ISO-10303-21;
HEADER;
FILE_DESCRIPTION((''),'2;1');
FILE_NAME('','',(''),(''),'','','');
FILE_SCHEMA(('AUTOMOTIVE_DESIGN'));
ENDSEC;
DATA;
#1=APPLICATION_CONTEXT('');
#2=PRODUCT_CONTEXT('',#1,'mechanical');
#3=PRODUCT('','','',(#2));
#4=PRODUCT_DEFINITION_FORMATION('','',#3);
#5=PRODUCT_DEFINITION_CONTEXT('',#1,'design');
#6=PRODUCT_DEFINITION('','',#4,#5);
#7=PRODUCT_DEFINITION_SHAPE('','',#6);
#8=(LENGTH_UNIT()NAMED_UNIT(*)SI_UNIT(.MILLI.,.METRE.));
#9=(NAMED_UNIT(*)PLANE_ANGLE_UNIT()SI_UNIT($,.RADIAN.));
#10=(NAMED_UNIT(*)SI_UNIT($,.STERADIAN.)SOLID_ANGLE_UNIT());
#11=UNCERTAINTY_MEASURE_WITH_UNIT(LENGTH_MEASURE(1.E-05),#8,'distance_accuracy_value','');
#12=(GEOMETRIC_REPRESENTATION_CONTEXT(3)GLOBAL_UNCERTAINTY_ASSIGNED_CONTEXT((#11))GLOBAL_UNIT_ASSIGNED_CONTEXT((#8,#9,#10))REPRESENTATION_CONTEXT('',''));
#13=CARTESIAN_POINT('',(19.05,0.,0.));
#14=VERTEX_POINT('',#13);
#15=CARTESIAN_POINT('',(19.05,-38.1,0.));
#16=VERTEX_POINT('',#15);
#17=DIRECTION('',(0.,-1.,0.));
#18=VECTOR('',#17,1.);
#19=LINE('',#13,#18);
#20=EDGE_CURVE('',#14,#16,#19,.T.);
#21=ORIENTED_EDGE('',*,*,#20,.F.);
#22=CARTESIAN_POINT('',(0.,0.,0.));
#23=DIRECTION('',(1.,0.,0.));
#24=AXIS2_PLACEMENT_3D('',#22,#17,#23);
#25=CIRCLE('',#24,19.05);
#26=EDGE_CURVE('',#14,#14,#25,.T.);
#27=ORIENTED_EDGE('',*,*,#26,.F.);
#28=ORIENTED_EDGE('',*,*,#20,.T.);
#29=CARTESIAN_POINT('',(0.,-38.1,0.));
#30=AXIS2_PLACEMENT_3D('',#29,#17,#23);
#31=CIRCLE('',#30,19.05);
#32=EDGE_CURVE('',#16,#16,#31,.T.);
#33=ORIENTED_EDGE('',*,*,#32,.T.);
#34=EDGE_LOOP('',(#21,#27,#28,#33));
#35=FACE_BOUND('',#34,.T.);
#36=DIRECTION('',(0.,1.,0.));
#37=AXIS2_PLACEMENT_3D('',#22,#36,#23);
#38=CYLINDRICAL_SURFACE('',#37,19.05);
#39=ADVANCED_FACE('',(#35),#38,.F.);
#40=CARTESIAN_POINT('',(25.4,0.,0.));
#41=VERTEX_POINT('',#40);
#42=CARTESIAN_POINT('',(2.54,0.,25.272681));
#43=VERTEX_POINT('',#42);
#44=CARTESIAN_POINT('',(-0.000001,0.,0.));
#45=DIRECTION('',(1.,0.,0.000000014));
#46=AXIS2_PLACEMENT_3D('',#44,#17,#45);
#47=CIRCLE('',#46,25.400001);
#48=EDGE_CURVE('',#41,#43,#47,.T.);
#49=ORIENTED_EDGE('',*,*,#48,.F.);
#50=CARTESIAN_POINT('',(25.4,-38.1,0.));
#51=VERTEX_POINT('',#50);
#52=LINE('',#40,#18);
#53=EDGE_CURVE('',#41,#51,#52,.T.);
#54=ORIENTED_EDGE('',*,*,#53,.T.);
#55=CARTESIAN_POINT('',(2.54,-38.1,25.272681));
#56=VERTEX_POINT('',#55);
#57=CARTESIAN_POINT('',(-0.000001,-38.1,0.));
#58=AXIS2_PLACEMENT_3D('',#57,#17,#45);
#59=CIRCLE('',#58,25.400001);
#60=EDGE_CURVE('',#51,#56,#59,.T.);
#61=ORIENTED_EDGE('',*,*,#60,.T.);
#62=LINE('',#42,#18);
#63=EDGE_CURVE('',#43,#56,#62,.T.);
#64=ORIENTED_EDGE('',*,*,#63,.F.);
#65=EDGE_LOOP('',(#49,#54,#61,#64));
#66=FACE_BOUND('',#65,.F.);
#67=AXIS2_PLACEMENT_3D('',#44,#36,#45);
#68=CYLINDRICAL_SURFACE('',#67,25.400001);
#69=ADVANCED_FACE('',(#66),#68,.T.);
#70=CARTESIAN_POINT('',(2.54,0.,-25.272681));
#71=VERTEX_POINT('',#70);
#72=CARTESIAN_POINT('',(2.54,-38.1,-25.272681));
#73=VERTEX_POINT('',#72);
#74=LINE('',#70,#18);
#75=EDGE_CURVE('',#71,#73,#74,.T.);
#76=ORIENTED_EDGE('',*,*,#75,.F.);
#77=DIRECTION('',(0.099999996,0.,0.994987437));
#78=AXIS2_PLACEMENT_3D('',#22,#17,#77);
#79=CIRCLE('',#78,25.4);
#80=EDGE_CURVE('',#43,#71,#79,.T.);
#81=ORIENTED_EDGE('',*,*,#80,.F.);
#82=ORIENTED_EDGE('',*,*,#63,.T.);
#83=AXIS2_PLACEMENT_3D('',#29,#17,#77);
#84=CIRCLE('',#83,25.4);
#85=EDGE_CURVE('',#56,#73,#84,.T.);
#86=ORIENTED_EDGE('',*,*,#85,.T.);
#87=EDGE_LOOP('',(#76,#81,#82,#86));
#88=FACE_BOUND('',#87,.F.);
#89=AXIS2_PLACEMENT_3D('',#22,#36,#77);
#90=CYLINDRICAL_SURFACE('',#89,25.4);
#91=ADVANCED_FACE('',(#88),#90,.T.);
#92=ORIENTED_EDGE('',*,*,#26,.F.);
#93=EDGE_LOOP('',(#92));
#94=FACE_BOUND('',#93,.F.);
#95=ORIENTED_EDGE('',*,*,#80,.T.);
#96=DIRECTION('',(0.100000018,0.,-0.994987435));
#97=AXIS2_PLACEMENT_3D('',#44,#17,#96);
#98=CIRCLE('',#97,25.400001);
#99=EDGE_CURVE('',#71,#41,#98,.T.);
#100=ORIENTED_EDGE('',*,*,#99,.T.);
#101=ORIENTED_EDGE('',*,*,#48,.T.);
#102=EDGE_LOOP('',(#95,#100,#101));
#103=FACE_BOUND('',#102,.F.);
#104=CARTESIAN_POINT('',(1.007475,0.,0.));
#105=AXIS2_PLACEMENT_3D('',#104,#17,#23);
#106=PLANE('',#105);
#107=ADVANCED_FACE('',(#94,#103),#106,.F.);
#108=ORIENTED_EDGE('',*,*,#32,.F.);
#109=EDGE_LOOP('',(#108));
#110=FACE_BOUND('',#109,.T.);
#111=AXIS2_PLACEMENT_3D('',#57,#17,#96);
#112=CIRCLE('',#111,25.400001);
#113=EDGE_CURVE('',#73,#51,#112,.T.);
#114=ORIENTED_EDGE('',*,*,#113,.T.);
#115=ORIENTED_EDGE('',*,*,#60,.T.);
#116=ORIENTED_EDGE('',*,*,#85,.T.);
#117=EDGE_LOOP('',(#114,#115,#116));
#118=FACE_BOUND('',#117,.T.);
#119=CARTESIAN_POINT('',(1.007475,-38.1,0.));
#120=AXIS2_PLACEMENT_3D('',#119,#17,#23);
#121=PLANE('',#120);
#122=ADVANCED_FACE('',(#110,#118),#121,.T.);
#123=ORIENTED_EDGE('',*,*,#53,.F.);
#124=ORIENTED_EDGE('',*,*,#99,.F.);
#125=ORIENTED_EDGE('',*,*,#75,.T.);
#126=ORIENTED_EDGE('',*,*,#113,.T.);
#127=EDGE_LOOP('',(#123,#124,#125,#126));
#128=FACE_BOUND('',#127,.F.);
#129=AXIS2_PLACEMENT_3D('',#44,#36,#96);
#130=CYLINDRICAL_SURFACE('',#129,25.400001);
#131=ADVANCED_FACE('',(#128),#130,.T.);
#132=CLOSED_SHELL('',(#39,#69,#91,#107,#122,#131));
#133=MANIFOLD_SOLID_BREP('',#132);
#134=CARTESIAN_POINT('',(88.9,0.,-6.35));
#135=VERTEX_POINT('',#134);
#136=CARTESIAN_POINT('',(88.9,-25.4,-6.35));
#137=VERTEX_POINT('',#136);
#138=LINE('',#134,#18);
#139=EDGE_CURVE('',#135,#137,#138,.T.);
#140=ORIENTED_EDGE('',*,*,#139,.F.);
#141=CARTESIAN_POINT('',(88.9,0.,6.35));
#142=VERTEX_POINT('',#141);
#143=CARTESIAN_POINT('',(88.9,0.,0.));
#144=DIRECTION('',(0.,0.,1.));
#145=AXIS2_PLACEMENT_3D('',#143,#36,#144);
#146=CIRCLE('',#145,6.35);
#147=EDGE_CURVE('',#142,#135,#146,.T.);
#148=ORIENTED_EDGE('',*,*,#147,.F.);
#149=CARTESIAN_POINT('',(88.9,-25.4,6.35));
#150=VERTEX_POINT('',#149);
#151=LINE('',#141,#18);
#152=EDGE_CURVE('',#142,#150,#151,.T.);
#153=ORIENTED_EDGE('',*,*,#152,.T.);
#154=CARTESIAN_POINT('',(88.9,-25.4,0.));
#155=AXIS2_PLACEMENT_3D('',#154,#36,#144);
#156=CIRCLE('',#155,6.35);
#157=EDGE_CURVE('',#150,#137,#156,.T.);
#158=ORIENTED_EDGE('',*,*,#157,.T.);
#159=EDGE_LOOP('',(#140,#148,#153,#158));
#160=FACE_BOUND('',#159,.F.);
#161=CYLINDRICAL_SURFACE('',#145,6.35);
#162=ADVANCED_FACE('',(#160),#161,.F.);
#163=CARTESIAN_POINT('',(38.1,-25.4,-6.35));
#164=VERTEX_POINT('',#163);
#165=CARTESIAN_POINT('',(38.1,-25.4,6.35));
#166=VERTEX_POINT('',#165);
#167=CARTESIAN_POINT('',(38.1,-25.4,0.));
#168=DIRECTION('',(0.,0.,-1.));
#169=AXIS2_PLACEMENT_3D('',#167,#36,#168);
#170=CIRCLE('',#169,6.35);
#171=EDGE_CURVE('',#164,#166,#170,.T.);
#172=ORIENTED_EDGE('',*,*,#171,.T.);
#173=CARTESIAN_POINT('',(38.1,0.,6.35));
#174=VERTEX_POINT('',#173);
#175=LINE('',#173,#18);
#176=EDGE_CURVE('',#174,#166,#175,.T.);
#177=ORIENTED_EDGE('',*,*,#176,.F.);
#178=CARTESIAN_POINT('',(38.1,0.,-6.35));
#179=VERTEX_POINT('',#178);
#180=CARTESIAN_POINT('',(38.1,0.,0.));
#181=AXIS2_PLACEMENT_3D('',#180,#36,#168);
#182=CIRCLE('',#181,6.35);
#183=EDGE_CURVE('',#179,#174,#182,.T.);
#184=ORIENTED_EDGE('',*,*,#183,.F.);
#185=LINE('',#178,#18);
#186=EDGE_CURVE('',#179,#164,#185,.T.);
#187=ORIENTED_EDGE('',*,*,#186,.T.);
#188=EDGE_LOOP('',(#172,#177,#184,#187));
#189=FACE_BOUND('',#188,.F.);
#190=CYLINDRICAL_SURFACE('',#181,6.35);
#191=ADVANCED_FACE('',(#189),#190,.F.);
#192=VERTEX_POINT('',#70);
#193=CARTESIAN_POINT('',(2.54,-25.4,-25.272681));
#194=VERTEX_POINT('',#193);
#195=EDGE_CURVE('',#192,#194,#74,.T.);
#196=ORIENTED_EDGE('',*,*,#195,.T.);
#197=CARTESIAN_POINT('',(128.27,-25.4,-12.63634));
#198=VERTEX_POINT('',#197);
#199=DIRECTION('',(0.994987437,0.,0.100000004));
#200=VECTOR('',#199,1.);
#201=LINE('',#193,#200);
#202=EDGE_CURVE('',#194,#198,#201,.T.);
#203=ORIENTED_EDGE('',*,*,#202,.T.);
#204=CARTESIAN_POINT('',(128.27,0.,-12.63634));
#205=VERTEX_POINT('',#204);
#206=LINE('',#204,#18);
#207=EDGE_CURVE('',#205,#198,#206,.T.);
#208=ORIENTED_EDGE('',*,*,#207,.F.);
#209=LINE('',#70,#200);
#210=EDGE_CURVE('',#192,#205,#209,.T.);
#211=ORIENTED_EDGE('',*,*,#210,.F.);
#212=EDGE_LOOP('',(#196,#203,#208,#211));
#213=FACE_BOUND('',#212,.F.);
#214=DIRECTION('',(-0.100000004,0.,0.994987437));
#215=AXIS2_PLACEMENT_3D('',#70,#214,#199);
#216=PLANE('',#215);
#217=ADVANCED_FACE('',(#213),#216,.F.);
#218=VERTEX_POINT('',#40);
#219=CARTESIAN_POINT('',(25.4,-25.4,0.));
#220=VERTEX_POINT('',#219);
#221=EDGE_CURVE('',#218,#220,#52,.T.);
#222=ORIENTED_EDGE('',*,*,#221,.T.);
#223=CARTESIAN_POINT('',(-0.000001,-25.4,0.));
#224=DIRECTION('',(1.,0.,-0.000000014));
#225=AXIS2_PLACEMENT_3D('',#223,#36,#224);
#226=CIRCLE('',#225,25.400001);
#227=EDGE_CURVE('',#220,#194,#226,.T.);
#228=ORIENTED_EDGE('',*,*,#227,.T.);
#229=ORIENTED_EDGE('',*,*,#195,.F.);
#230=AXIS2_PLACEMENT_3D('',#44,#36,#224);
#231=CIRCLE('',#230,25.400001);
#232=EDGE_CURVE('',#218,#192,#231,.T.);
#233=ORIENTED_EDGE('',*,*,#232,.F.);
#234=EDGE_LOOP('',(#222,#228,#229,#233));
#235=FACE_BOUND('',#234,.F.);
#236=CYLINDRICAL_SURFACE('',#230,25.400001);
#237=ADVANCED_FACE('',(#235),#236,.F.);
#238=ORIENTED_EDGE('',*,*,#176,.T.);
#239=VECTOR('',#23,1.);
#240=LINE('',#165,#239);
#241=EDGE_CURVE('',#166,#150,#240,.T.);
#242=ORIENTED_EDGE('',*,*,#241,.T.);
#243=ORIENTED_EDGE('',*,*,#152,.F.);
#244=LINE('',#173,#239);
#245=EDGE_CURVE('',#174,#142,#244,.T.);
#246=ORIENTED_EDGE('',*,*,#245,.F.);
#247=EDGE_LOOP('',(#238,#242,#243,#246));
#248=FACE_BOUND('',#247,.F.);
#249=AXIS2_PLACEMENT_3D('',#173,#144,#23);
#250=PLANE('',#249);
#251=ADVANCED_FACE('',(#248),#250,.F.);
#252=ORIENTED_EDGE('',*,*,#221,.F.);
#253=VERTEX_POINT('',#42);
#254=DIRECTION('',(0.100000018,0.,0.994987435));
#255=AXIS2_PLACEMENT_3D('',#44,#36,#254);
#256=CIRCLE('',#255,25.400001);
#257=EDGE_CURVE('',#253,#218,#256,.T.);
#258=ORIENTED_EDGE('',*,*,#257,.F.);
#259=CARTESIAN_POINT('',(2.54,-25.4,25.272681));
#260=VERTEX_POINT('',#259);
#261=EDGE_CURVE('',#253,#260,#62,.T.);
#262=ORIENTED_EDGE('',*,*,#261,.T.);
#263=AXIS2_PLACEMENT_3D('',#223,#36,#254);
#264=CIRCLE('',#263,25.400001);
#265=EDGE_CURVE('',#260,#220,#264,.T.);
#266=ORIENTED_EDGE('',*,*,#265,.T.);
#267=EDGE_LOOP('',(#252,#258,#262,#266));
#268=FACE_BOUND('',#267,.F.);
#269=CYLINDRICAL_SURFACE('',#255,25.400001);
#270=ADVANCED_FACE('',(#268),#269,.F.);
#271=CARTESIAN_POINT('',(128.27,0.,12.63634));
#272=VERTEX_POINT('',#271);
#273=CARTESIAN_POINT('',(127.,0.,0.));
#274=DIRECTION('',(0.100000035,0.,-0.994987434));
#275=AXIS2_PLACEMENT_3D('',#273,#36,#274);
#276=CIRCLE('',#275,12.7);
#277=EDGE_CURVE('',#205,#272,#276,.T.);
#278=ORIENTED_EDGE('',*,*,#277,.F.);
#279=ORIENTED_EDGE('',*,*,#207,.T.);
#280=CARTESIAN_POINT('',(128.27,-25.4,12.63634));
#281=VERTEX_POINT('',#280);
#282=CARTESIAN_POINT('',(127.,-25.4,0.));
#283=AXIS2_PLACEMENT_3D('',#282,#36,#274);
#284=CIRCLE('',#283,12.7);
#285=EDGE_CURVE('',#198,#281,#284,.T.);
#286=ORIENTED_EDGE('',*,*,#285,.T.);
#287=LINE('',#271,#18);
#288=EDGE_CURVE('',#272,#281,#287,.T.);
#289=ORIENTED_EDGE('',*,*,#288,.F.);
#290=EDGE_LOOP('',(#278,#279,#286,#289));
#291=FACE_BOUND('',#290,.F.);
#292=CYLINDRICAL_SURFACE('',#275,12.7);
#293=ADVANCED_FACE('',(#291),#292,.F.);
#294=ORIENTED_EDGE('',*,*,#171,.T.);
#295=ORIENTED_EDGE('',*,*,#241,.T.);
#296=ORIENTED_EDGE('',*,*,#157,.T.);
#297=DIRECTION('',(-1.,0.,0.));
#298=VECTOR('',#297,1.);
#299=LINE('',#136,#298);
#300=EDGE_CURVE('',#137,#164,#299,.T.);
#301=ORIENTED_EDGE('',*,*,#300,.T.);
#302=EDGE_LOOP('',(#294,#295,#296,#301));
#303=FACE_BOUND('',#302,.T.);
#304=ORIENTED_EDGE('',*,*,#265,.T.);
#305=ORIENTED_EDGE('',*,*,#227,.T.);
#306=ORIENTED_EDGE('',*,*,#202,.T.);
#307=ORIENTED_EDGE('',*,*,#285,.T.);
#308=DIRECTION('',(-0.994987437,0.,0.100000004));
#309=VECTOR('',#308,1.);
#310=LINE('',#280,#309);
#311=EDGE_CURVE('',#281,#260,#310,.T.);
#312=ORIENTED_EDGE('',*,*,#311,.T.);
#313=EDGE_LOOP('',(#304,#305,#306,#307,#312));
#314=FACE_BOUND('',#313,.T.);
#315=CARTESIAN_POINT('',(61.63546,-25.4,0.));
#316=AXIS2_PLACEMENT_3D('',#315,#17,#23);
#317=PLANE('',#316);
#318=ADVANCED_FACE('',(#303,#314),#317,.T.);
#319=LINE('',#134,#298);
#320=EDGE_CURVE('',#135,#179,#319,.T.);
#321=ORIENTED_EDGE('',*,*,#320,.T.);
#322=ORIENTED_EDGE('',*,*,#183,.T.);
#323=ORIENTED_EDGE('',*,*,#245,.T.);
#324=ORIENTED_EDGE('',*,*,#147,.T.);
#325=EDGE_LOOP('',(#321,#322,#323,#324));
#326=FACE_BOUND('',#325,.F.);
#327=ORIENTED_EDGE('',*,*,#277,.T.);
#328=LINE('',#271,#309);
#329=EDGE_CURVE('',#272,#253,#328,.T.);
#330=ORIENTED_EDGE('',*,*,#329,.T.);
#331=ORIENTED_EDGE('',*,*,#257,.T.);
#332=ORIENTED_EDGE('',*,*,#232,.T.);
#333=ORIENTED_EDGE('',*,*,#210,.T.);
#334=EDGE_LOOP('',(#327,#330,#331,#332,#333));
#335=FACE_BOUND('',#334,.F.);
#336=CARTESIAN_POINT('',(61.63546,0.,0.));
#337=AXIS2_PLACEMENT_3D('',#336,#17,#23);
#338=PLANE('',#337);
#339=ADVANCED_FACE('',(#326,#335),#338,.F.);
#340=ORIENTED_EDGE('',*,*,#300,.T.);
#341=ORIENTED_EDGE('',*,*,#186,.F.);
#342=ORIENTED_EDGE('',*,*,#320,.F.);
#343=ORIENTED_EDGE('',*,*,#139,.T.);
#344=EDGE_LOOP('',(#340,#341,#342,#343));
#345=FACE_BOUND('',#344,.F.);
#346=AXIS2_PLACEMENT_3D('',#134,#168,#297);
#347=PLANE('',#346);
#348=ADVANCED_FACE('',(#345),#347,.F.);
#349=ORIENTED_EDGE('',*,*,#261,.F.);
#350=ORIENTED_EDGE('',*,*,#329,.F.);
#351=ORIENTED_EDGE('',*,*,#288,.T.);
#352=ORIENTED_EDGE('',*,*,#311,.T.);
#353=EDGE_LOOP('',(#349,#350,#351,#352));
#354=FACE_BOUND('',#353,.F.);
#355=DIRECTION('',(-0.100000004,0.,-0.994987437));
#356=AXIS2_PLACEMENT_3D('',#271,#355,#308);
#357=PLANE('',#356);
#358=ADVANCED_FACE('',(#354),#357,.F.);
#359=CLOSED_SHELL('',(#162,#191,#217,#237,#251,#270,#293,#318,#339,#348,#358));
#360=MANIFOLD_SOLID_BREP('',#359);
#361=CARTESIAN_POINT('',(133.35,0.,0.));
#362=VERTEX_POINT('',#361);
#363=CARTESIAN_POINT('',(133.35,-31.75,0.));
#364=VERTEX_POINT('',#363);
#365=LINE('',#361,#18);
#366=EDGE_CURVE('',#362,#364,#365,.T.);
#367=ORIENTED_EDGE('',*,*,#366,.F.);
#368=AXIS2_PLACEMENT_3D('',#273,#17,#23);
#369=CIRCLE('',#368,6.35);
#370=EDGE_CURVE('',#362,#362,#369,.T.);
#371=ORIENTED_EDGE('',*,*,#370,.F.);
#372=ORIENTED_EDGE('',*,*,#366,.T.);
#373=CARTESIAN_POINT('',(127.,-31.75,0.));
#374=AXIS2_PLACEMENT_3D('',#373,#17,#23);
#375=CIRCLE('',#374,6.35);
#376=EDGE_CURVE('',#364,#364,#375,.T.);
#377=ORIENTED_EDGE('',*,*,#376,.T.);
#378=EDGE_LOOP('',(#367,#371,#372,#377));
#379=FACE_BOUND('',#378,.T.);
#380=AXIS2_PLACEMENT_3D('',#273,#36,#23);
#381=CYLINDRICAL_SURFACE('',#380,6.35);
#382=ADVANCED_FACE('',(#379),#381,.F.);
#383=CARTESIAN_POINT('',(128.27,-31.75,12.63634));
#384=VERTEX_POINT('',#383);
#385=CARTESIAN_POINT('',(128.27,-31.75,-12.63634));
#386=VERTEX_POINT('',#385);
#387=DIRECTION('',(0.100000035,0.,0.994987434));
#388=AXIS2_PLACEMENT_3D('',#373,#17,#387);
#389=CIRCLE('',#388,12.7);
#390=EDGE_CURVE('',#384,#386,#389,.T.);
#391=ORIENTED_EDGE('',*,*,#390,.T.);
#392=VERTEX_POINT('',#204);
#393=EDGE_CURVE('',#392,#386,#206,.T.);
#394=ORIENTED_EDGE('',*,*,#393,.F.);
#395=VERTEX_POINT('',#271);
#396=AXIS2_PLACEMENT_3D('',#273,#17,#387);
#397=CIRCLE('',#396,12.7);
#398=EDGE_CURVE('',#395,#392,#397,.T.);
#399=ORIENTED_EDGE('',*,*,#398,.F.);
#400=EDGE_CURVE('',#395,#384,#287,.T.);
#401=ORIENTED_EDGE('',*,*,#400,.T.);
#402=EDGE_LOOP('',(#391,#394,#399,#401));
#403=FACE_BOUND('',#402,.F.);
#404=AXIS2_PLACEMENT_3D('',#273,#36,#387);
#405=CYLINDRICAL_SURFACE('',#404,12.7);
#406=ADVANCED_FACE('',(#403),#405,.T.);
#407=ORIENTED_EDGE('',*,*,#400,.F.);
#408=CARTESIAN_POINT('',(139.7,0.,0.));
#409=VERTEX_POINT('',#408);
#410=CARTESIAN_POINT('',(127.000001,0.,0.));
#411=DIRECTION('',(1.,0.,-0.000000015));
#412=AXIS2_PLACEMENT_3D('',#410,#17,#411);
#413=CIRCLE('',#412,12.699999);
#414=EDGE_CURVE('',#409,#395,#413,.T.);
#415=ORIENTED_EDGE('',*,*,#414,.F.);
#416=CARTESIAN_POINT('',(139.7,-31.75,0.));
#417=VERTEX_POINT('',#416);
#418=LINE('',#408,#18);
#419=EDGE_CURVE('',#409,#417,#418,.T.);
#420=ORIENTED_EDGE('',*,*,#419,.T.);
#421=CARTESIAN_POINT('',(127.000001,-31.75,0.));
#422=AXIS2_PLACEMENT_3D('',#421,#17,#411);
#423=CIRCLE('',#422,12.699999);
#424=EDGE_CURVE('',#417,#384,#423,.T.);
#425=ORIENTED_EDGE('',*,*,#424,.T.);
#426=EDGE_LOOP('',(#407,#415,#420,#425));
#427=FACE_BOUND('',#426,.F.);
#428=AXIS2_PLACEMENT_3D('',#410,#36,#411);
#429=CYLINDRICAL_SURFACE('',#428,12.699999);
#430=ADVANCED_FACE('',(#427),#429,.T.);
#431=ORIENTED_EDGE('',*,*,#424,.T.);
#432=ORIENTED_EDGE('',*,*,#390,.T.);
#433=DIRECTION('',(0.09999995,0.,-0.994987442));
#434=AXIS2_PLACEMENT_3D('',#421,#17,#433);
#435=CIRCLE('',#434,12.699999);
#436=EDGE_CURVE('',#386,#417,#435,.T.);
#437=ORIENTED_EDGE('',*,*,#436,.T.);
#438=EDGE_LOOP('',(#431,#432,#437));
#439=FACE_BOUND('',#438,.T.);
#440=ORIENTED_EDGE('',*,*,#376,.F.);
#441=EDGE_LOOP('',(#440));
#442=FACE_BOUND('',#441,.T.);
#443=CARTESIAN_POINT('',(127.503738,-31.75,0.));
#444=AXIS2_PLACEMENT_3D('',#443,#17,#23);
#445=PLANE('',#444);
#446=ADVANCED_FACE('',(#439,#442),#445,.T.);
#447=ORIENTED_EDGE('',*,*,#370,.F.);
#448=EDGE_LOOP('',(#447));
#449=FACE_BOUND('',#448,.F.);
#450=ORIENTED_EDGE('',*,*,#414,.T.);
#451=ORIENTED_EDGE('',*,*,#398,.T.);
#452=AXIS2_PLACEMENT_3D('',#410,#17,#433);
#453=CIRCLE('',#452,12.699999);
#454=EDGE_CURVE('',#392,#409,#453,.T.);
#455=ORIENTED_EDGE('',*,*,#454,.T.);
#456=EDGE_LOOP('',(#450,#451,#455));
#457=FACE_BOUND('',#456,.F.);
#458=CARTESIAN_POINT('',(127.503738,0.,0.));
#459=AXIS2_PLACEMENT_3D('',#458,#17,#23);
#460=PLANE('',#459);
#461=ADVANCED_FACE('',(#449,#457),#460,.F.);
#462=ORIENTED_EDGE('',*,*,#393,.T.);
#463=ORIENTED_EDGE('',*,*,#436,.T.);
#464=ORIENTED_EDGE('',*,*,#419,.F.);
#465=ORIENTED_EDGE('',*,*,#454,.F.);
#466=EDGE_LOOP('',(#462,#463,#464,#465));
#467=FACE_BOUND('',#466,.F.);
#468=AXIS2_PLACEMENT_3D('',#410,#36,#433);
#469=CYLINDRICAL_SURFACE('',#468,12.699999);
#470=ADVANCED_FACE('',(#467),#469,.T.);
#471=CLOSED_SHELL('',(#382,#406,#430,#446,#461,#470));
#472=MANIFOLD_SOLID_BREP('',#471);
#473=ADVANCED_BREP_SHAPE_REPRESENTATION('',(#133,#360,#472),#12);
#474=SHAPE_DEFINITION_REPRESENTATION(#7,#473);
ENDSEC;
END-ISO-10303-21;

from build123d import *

# Parameters (mm, degrees)
F0_R     = 19.05
F1_DEPTH = 38.1
F2_DEPTH = 25.4
F0_R_2   = 6.35
F3_DEPTH = 31.75


with BuildPart() as f1:
    # F0 (on Front) → F1 (new body)
    with BuildSketch(Plane.XZ):
        with BuildLine():
            ThreePointArc((2.54, -25.272681), (18.837144, -17.038838), (25.4, 0))
            ThreePointArc((25.4, 0), (18.837144, 17.038838), (2.54, 25.272681))
            ThreePointArc((2.54, 25.272681), (-25.4, 0), (2.54, -25.272681))
        make_face()
        Circle(F0_R, mode=Mode.SUBTRACT)
    extrude(amount=F1_DEPTH)


with BuildPart() as f2:
    # F0 (on Front) → F2 (new body)
    with BuildSketch(Plane.XZ):
        with BuildLine():
            ThreePointArc((2.54, 25.272681), (18.837144, 17.038838), (25.4, 0))
            ThreePointArc((25.4, 0), (18.837144, -17.038838), (2.54, -25.272681))
            Line((2.54, -25.272681), (128.27, -12.63634))
            ThreePointArc((128.27, -12.63634), (114.3, 0), (128.27, 12.63634))
            Line((128.27, 12.63634), (2.54, 25.272681))
        make_face()
        with BuildLine():
            ThreePointArc((88.9, 6.35), (95.25, 0), (88.9, -6.35))
            Line((88.9, -6.35), (38.1, -6.35))
            ThreePointArc((38.1, -6.35), (31.75, 0), (38.1, 6.35))
            Line((38.1, 6.35), (88.9, 6.35))
        make_face(mode=Mode.SUBTRACT)
    extrude(amount=F2_DEPTH)


with BuildPart() as f3:
    # F0 (on Front) → F3 (new body)
    with BuildSketch(Plane.XZ):
        with BuildLine():
            ThreePointArc((139.7, 0), (136.418572, 8.519419), (128.27, 12.63634))
            ThreePointArc((128.27, 12.63634), (114.3, 0), (128.27, -12.63634))
            ThreePointArc((128.27, -12.63634), (136.418572, -8.519419), (139.7, 0))
        make_face()
        with Locations((127, 0)):
            Circle(F0_R_2, mode=Mode.SUBTRACT)
    extrude(amount=F3_DEPTH)


solid = Compound([f1.part, f2.part, f3.part])
